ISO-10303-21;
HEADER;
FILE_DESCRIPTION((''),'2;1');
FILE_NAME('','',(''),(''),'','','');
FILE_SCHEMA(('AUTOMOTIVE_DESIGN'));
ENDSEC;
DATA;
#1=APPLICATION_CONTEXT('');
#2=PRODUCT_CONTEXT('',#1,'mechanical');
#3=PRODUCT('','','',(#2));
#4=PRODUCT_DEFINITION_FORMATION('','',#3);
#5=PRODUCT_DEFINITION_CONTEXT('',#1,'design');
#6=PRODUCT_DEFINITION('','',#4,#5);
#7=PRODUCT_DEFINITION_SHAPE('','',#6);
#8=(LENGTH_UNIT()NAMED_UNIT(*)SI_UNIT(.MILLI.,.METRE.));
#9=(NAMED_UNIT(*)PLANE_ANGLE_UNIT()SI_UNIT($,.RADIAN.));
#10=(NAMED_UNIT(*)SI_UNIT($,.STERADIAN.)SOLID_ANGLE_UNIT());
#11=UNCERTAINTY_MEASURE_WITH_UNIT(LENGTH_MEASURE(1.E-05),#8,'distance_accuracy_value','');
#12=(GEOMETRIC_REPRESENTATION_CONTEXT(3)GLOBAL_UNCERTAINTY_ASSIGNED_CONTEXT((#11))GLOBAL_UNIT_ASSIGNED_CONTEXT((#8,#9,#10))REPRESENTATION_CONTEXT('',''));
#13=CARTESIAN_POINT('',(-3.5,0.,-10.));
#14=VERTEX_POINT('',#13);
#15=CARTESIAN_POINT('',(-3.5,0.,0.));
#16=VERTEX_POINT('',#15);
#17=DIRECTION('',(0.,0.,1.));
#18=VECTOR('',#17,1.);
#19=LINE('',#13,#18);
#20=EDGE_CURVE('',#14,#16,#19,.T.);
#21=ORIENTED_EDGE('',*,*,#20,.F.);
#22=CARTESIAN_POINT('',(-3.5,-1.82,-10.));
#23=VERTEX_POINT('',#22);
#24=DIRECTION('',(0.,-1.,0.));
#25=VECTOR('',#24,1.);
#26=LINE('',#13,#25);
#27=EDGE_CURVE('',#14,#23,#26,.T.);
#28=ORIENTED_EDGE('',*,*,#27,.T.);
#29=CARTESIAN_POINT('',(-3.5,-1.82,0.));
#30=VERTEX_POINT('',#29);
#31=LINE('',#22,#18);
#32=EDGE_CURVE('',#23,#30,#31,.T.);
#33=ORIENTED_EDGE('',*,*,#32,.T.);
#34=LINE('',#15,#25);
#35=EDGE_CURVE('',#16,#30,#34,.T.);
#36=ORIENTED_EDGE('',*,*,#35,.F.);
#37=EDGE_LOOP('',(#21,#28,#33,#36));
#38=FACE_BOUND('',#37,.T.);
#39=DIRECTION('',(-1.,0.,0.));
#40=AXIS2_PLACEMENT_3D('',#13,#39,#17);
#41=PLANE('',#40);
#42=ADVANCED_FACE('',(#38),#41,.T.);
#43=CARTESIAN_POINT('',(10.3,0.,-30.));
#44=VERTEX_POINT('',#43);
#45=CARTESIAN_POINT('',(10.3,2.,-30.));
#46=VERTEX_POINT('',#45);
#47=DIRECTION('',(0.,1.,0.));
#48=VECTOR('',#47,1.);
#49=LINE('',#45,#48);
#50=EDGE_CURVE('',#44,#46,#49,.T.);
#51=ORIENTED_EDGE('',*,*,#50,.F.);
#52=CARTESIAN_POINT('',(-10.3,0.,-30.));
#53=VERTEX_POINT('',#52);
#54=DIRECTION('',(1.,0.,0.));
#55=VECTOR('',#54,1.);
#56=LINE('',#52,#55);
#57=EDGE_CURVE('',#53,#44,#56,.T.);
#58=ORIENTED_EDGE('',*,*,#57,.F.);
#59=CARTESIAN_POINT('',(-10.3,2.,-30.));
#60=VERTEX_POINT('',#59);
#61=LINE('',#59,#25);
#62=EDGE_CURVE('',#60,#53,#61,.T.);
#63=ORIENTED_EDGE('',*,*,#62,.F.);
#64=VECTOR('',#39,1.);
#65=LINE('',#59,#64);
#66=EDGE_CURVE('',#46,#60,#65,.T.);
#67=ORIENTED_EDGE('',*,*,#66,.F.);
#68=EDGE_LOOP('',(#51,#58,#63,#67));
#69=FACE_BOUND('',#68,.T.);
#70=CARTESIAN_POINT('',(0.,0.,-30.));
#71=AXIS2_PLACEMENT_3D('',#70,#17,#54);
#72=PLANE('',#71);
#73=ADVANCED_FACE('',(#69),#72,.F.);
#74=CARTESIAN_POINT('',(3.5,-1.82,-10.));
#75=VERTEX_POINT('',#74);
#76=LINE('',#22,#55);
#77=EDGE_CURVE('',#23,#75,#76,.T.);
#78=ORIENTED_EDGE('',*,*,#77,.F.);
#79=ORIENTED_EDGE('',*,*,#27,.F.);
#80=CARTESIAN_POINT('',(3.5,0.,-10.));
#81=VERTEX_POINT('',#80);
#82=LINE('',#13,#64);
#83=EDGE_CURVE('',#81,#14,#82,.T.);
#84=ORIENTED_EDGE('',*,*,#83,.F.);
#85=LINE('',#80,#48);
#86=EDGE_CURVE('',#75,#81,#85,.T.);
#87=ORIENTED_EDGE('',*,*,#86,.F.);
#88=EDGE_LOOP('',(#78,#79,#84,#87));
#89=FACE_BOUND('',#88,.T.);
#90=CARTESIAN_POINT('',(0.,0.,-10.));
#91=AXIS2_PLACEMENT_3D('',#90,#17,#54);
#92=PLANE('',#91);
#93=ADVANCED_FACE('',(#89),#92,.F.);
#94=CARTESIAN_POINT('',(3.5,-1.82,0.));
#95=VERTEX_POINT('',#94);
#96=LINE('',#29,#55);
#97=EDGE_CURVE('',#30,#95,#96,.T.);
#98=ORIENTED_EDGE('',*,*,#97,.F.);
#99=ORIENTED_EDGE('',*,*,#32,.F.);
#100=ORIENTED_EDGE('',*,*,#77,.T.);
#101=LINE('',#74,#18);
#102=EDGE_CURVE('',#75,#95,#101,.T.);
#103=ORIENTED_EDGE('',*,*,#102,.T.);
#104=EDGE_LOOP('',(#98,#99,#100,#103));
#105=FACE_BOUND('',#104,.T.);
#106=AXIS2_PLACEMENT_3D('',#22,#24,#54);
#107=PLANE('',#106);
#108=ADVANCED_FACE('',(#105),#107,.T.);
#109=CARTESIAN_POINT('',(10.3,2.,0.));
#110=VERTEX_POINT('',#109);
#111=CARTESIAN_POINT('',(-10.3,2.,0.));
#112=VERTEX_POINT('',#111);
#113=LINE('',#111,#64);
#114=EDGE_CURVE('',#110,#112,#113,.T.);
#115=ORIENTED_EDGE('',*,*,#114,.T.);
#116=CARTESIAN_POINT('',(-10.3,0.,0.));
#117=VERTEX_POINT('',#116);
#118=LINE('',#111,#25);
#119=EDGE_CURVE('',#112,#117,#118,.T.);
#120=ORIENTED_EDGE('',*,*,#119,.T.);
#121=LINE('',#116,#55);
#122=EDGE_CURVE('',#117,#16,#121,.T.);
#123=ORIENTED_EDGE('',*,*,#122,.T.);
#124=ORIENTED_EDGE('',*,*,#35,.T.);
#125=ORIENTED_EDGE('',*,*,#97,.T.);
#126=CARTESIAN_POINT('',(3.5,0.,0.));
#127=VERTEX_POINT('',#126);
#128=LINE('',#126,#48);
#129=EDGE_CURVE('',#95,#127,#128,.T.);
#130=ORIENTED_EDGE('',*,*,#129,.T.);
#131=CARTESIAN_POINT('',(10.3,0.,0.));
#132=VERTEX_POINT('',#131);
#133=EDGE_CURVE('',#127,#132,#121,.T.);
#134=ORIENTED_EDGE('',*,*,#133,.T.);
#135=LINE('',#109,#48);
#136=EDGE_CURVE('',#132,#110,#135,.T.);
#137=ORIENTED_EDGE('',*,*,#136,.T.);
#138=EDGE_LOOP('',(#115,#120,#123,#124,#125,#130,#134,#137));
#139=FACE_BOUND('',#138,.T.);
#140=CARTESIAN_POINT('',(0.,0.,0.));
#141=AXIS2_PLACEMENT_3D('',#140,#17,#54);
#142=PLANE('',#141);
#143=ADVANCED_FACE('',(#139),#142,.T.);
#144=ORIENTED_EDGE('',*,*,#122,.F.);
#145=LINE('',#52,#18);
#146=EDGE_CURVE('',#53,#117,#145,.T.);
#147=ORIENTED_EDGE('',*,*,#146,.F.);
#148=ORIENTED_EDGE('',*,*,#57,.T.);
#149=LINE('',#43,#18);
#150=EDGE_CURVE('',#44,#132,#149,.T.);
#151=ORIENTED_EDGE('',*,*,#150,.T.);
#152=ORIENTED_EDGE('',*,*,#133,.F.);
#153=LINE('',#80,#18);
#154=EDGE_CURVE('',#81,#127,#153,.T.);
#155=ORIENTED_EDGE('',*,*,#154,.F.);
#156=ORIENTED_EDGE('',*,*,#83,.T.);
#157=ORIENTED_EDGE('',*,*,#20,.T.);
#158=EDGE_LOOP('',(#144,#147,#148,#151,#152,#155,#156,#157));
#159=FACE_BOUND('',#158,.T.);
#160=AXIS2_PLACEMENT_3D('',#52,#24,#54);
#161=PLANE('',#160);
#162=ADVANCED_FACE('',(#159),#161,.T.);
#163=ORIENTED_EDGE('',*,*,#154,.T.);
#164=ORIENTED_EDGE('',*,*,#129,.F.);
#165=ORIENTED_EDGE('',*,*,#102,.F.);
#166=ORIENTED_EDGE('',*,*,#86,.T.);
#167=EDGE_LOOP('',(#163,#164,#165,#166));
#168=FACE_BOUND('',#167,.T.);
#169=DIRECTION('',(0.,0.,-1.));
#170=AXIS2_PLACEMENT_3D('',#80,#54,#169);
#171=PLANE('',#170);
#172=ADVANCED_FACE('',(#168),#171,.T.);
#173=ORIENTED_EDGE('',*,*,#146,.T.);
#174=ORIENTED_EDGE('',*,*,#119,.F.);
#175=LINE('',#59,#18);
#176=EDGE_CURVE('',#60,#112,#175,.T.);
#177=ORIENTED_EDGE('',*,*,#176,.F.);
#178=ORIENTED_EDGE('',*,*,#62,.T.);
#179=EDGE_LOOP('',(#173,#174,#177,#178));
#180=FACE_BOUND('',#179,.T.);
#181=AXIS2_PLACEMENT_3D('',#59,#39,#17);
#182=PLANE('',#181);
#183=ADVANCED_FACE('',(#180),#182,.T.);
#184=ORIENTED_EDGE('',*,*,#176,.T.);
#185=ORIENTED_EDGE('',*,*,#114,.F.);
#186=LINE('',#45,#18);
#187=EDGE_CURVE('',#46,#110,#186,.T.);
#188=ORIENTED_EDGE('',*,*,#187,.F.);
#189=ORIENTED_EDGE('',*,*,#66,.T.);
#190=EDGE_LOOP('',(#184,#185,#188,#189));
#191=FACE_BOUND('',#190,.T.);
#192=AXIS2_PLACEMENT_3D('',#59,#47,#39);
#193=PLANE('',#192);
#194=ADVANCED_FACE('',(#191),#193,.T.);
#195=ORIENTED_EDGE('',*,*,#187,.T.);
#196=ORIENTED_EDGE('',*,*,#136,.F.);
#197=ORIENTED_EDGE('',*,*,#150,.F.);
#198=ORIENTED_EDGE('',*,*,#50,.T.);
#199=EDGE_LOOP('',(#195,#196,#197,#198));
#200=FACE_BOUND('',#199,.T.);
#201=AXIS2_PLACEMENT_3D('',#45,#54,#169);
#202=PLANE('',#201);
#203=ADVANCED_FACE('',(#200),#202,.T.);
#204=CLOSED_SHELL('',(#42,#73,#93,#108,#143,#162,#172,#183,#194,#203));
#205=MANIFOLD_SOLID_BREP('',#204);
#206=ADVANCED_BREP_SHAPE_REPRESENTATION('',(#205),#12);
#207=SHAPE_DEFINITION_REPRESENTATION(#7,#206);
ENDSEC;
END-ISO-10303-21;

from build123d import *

# Parameters (mm, degrees)
SKETCH1_W           = 20.6
SKETCH1_H           = 2
BOSS_EXTRUDE1_DEPTH = 30
SKETCH2_W           = 7
SKETCH2_H           = 1.82
BOSS_EXTRUDE2_DEPTH = 10


with BuildPart() as part:
    # Sketch1 → Boss-Extrude1 (new body)
    with BuildSketch(Plane.XY):
        with Locations((0, 1)):
            Rectangle(SKETCH1_W, SKETCH1_H)
    extrude(amount=-BOSS_EXTRUDE1_DEPTH)

    # Sketch2 → Boss-Extrude2 (add)
    with BuildSketch(Plane.XY):
        with Locations((0, -0.91)):
            Rectangle(SKETCH2_W, SKETCH2_H)
    extrude(amount=-BOSS_EXTRUDE2_DEPTH)


solid = part.part
